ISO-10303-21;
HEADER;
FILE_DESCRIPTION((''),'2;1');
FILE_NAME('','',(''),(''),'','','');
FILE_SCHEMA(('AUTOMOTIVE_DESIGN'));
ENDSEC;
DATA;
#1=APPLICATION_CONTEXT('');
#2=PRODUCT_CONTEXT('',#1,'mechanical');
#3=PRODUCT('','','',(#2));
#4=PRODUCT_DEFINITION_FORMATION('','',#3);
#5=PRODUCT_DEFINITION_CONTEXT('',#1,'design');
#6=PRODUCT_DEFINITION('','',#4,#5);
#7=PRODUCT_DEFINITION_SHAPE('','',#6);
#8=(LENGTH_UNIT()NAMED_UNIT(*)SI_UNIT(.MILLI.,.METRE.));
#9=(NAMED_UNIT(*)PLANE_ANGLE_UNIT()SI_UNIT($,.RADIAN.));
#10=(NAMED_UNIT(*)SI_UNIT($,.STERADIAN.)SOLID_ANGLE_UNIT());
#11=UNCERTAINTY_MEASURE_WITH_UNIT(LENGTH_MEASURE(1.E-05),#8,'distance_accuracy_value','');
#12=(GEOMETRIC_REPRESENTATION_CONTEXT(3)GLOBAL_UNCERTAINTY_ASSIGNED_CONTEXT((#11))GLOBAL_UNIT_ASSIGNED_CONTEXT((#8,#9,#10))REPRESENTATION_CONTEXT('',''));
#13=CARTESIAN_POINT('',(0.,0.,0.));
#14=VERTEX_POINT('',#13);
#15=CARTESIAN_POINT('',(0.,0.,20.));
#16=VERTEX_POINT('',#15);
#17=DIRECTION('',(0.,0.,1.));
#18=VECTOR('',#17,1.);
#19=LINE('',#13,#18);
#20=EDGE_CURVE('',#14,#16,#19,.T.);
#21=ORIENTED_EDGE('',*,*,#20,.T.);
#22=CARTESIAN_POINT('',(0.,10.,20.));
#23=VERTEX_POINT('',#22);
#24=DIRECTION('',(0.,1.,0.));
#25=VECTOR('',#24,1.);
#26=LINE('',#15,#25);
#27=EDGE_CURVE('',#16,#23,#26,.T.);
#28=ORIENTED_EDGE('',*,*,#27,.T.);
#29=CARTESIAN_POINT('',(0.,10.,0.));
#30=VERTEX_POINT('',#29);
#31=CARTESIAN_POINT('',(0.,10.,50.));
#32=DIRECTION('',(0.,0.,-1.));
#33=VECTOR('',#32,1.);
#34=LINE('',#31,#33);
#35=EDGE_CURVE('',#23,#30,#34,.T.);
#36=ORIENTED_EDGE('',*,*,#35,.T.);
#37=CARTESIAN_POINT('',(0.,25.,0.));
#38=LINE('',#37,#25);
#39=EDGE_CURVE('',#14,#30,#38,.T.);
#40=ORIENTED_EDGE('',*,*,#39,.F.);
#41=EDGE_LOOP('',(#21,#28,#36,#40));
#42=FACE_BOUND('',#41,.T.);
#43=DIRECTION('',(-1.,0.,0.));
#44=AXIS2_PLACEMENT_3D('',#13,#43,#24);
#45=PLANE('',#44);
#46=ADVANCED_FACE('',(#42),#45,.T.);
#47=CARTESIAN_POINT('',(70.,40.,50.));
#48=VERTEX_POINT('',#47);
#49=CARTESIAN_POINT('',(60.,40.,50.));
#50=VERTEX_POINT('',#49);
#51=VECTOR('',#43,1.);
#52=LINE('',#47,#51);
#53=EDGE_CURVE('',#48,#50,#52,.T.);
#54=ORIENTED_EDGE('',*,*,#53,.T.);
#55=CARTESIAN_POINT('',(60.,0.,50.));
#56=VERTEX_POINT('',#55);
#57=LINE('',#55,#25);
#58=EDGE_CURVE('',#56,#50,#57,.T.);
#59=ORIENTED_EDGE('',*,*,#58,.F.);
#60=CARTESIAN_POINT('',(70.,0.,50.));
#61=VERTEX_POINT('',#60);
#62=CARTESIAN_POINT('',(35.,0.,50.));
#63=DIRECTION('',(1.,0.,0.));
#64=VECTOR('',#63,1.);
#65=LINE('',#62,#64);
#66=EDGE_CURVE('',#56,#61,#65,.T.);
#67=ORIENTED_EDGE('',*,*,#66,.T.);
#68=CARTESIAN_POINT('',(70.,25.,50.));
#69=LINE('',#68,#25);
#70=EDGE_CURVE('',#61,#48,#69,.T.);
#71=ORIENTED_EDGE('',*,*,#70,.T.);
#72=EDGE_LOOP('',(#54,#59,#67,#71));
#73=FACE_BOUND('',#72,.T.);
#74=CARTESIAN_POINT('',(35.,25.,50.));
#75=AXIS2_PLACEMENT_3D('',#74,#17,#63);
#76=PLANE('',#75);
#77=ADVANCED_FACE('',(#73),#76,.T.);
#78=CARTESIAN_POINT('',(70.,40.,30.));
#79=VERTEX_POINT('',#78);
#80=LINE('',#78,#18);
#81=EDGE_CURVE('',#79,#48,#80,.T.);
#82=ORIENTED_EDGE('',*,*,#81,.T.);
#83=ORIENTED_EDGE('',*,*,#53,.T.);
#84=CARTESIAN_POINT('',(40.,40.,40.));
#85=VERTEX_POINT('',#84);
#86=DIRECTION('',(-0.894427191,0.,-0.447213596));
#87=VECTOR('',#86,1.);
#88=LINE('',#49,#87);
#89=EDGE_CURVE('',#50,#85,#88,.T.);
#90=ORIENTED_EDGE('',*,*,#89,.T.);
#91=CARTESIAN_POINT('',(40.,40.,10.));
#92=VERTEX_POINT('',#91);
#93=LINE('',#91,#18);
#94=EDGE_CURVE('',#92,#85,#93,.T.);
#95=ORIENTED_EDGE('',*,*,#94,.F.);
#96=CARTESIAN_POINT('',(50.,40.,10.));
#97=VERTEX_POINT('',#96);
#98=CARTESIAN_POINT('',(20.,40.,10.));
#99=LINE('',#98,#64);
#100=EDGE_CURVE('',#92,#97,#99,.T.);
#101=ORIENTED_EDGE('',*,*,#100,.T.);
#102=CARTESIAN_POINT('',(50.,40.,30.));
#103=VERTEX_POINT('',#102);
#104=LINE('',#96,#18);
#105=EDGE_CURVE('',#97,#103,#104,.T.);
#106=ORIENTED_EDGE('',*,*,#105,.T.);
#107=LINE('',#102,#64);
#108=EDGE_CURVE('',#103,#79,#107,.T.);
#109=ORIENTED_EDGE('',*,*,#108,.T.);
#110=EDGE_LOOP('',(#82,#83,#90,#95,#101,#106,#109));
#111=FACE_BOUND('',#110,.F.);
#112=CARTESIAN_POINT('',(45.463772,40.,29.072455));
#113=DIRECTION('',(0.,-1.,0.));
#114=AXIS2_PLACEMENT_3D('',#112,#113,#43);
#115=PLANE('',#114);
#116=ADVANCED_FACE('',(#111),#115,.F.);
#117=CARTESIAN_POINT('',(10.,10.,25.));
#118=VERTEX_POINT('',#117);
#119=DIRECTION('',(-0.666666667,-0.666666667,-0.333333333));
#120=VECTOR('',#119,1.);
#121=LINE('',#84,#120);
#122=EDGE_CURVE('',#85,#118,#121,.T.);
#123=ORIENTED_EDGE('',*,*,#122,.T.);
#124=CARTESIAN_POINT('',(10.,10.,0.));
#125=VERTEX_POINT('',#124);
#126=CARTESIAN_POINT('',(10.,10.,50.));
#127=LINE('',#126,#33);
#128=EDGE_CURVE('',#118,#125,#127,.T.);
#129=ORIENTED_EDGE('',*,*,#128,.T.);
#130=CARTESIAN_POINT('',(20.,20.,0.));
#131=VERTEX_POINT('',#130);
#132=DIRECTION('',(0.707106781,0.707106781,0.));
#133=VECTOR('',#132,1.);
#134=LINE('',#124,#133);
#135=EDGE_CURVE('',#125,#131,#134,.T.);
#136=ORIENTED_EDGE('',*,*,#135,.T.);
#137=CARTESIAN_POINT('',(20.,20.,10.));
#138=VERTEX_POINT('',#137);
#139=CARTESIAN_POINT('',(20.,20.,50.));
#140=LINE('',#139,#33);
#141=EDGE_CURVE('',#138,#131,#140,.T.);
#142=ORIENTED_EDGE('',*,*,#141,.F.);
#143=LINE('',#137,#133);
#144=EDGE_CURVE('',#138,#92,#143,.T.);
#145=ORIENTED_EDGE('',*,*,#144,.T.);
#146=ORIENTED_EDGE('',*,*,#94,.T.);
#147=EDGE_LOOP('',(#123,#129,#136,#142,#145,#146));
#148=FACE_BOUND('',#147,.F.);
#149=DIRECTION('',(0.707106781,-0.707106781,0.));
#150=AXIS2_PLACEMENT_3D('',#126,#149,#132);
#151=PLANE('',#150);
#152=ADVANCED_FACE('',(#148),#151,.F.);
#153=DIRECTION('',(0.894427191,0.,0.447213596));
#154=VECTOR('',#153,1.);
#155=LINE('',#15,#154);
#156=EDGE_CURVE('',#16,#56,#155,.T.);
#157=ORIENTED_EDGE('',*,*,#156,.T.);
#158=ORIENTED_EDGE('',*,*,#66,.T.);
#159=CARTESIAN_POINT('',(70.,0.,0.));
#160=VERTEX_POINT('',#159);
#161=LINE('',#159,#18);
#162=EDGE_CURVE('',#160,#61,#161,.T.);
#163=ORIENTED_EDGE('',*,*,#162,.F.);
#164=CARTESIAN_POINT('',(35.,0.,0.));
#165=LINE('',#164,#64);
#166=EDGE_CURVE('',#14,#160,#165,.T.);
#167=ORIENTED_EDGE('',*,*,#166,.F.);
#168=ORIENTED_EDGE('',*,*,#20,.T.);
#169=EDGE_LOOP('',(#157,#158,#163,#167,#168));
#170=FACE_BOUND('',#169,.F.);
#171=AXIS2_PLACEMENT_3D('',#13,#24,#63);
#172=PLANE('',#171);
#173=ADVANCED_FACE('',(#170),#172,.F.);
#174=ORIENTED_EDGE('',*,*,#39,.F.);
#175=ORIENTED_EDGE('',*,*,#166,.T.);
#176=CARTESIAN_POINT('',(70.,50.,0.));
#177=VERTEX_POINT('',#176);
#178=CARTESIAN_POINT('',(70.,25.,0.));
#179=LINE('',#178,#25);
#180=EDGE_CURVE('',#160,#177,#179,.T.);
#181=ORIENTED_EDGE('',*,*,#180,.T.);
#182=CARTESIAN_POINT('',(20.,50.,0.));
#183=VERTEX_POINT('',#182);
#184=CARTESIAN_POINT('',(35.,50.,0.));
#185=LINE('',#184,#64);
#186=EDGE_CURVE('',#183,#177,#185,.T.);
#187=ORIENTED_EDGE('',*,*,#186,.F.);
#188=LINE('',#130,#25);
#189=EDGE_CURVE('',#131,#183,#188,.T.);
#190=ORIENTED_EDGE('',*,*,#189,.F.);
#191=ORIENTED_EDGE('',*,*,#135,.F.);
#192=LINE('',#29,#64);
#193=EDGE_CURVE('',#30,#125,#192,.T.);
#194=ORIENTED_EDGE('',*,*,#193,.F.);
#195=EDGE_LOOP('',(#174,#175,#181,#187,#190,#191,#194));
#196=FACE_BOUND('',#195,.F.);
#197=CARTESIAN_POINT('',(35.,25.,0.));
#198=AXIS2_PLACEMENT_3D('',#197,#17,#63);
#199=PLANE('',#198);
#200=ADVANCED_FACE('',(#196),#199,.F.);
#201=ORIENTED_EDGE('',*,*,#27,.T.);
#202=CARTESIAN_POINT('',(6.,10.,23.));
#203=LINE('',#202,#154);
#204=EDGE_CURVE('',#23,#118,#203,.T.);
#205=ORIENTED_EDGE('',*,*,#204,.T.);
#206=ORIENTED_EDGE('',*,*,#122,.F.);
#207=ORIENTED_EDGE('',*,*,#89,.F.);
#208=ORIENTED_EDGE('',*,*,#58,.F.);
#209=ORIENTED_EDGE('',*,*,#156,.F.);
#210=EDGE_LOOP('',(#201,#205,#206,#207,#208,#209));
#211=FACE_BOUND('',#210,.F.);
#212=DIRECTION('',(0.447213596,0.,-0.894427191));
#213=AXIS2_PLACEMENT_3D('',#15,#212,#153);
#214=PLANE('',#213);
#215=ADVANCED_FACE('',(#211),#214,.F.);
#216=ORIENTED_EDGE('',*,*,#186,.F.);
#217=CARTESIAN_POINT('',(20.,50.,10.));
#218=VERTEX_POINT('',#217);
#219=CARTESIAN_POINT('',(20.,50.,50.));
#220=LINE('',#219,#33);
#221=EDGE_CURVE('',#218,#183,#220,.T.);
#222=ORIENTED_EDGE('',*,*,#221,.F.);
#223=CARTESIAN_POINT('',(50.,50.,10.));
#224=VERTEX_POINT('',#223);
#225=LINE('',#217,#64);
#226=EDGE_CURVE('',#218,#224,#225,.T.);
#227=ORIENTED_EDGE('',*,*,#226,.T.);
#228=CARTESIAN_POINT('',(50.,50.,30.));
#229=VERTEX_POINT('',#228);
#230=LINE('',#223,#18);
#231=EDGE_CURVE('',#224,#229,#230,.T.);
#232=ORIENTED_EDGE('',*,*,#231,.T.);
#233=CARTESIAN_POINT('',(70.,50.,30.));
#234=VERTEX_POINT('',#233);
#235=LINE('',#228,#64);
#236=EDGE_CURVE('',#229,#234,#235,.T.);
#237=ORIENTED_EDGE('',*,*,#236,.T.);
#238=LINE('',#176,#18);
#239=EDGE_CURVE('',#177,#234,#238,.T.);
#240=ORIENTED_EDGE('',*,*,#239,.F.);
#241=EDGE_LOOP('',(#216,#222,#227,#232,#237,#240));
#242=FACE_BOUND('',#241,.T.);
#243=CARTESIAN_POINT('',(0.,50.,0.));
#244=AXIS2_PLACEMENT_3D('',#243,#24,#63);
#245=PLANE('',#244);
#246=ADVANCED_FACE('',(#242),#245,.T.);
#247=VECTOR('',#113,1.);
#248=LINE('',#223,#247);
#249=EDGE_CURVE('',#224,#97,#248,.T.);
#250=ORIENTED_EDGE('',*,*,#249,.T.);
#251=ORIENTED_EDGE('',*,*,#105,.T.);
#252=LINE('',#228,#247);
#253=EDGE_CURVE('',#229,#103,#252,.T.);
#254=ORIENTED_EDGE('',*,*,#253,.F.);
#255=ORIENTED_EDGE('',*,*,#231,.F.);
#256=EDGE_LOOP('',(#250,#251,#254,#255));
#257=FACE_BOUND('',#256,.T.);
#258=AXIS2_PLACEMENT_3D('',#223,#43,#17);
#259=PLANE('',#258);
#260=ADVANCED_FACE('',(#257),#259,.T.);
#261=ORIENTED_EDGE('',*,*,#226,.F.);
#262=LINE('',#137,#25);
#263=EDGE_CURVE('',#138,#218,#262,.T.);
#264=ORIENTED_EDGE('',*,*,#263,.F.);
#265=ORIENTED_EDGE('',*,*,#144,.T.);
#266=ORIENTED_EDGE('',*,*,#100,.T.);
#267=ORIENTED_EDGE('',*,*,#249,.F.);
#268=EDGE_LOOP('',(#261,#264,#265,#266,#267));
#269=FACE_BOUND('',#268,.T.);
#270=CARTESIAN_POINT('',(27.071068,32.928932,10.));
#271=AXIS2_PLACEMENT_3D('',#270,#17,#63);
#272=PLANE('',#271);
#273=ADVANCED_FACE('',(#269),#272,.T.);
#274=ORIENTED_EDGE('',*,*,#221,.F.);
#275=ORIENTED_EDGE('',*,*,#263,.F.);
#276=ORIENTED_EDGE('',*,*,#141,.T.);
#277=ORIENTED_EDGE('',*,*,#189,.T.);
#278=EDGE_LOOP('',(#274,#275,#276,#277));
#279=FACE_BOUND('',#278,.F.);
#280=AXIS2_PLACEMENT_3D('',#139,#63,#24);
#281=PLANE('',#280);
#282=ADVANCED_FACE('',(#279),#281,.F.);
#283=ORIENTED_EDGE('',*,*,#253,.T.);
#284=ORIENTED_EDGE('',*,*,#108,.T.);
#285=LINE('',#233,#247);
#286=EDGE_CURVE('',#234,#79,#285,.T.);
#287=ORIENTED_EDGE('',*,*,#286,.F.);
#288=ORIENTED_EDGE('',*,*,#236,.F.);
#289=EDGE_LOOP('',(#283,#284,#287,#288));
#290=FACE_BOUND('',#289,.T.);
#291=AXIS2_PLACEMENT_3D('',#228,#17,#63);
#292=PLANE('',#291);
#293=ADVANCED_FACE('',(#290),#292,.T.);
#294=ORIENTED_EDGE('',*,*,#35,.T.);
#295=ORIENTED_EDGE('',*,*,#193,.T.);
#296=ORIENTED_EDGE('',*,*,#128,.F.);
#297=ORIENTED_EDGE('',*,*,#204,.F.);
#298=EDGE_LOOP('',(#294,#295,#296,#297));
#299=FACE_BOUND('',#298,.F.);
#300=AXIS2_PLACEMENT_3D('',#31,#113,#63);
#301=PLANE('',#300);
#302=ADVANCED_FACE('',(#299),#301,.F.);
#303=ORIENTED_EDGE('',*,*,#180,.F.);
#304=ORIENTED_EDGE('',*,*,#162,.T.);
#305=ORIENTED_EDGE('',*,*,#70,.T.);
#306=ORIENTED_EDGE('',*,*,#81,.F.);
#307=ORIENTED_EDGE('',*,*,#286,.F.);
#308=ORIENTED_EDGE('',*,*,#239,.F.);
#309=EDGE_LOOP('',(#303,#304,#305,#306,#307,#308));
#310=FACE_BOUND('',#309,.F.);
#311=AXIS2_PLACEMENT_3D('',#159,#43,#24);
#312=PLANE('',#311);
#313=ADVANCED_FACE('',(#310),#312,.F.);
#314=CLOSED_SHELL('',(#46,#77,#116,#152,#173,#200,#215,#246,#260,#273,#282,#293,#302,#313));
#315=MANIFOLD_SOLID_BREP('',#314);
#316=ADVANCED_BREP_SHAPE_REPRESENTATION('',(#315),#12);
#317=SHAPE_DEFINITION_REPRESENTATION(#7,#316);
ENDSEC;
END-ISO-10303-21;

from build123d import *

# Parameters (mm, degrees)
SKETCH1_W           = 70
SKETCH1_H           = 50
BOSS_EXTRUDE1_DEPTH = 50
CUT_EXTRUDE1_DEPTH  = 50
CUT_EXTRUDE2_DEPTH  = 50
CUT_EXTRUDE3_DEPTH  = 10
CUT_EXTRUDE4_DEPTH  = 57


with BuildPart() as part:
    # Sketch1 → Boss-Extrude1 (new body)
    with BuildSketch(Plane.XY):
        with Locations((35, 25)):
            Rectangle(SKETCH1_W, SKETCH1_H)
    extrude(amount=BOSS_EXTRUDE1_DEPTH)

    # Sketch2 → Cut-Extrude1 (cut)
    with BuildSketch(Plane.XY.offset(50)):
        Polygon((0, 10), (10, 10), (20, 20), (20, 50), (0, 50), align=None)
    extrude(amount=-CUT_EXTRUDE1_DEPTH, mode=Mode.SUBTRACT)

    # Sketch3 → Cut-Extrude2 (cut)
    with BuildSketch(Plane.XZ):
        Polygon((0, 20), (60, 50), (0, 50), align=None)
    extrude(amount=-CUT_EXTRUDE2_DEPTH, mode=Mode.SUBTRACT)

    # Sketch4 → Cut-Extrude3 (cut)
    with BuildSketch(Plane(origin=(0, 50, 0), x_dir=(1, 0, 0), z_dir=(0, 1, 0))):
        Polygon((20, -10), (50, -10), (50, -30), (70, -30), (70, -50), (60, -50), (20, -30), align=None)
    extrude(amount=-CUT_EXTRUDE3_DEPTH, mode=Mode.SUBTRACT)

    # Sketch5 → Cut-Extrude4 (cut)
    with BuildSketch(Plane.XY.offset(10)):
        Polygon((20, 20), (40, 40), (20, 40), align=None)
    extrude(amount=CUT_EXTRUDE4_DEPTH, mode=Mode.SUBTRACT)


solid = part.part
